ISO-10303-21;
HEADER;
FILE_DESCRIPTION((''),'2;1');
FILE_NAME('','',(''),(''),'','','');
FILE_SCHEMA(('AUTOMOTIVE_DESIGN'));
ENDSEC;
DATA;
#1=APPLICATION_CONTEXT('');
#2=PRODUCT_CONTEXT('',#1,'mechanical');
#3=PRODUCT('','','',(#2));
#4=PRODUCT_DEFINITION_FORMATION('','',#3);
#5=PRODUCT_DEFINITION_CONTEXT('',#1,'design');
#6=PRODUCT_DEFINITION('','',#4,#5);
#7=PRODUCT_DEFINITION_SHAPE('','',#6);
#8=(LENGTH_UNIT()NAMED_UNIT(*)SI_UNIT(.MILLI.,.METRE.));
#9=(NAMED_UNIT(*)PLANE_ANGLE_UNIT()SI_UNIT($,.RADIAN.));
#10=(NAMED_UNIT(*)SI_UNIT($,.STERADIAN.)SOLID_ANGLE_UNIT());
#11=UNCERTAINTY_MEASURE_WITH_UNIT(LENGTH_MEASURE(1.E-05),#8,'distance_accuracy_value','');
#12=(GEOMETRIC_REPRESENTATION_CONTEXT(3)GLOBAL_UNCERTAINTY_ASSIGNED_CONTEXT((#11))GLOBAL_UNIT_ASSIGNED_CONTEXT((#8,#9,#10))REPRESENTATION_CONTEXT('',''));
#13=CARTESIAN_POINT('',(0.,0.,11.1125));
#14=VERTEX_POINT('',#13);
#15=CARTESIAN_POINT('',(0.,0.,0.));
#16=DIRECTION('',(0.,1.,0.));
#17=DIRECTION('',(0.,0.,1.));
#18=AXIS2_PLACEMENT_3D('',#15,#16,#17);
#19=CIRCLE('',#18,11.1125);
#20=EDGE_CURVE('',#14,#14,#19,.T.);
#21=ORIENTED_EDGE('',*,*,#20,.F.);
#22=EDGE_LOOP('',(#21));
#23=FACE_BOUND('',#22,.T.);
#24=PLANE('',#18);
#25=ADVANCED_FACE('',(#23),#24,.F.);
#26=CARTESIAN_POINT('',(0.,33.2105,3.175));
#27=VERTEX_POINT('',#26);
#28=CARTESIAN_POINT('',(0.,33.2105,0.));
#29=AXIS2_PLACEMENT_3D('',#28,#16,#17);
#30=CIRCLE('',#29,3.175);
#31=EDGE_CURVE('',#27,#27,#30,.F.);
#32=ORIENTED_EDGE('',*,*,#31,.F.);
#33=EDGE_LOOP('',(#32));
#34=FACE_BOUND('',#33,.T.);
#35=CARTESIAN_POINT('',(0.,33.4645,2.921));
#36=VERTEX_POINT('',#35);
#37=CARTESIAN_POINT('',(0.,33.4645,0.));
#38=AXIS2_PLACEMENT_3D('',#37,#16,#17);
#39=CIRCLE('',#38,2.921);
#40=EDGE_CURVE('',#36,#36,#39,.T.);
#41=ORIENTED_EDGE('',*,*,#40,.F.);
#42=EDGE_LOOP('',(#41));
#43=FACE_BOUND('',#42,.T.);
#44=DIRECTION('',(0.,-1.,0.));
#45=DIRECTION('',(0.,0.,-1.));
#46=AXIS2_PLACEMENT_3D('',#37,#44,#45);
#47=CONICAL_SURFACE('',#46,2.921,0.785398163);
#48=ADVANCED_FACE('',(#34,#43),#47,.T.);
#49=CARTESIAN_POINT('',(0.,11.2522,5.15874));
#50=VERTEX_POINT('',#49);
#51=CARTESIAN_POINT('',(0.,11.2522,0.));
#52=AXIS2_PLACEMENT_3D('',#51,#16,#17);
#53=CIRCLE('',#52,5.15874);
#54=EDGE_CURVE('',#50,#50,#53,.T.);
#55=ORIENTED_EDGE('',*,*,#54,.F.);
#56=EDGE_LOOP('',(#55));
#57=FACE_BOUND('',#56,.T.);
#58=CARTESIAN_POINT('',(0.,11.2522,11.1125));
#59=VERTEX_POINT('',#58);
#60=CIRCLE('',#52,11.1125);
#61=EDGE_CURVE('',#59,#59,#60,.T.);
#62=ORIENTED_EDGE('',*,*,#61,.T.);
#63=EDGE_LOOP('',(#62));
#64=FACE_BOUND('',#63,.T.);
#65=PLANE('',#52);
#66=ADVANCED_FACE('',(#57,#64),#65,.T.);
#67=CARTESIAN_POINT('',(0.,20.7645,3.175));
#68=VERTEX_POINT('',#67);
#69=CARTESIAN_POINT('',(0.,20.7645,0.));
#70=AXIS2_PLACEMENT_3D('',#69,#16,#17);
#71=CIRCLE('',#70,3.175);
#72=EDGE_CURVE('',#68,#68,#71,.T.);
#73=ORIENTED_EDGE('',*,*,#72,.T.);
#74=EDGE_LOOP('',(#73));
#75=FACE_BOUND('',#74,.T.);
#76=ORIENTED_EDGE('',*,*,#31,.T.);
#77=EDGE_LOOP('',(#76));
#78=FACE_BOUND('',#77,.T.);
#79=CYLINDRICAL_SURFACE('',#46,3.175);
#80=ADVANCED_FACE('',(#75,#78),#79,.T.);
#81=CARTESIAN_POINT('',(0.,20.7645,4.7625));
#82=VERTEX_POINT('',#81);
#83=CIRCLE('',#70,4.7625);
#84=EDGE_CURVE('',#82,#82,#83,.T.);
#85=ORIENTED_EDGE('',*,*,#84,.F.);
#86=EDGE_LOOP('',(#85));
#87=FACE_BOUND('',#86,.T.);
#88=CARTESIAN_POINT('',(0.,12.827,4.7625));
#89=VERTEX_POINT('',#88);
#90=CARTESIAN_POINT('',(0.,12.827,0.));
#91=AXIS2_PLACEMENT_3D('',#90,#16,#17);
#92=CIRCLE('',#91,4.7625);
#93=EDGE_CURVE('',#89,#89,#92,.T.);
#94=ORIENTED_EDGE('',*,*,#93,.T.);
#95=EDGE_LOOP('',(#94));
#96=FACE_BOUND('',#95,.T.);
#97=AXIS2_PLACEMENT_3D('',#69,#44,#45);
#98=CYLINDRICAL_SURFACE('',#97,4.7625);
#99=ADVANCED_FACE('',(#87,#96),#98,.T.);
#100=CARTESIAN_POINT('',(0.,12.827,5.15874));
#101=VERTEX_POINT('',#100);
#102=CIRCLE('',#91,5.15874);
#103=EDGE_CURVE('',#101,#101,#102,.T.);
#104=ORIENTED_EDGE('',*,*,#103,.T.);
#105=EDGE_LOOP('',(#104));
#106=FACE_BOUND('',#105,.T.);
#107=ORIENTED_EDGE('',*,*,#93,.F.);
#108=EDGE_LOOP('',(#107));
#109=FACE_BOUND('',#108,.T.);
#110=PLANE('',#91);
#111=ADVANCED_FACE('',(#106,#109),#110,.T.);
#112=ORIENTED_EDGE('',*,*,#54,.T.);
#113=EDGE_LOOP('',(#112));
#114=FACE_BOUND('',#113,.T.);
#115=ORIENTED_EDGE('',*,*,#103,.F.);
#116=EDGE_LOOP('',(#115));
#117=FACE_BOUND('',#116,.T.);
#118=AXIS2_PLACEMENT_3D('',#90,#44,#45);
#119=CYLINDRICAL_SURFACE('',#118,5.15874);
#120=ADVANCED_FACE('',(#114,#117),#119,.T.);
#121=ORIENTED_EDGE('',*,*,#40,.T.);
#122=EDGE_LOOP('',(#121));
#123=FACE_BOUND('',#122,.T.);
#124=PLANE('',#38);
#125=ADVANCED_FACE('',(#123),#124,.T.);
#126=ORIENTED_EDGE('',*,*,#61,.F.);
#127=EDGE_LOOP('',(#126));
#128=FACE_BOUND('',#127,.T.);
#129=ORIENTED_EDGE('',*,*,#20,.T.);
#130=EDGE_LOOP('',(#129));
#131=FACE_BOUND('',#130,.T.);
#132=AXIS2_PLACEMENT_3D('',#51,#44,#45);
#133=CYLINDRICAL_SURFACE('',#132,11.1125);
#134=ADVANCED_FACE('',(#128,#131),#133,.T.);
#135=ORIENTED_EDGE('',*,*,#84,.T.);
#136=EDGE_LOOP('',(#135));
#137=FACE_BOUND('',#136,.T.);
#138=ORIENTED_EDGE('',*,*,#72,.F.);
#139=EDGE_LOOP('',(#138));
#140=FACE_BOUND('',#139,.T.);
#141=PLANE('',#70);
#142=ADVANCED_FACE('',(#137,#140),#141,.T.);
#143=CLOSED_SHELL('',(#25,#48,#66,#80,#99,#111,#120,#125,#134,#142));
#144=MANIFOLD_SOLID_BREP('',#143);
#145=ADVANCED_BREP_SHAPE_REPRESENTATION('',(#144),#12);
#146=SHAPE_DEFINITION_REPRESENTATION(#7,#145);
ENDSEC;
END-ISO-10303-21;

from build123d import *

# Parameters (mm, degrees)
SKETCH1_R           = 11.1125
BOSS_EXTRUDE1_DEPTH = 11.2522
SKETCH3_R           = 5.15874
BOSS_EXTRUDE2_DEPTH = 1.5748
SKETCH4_R           = 4.7625
BOSS_EXTRUDE3_DEPTH = 7.9375
SKETCH5_R           = 3.175
BOSS_EXTRUDE4_DEPTH = 12.7
CHAMFER1_SIZE       = 0.254


with BuildPart() as part:
    # Sketch1 → Boss-Extrude1 (new body)
    with BuildSketch(Plane(origin=(0, 0, 0), x_dir=(1, 0, 0), z_dir=(0, 1, 0))):
        with Locations(Location((0, 0, 0), (0, 0, 270))):
            Circle(SKETCH1_R)
    extrude(amount=BOSS_EXTRUDE1_DEPTH)

    # Sketch3 → Boss-Extrude2 (add)
    with BuildSketch(Plane(origin=(0, 11.2522, 0), x_dir=(1, 0, 0), z_dir=(0, 1, 0))):
        with Locations(Location((0, 0, 0), (0, 0, 270))):
            Circle(SKETCH3_R)
    extrude(amount=BOSS_EXTRUDE2_DEPTH)

    # Sketch4 → Boss-Extrude3 (add)
    with BuildSketch(Plane(origin=(0, 12.827, 0), x_dir=(1, 0, 0), z_dir=(0, 1, 0))):
        with Locations(Location((0, 0, 0), (0, 0, 270))):
            Circle(SKETCH4_R)
    extrude(amount=BOSS_EXTRUDE3_DEPTH)

    # Sketch5 → Boss-Extrude4 (add)
    with BuildSketch(Plane(origin=(0, 20.7645, 0), x_dir=(1, 0, 0), z_dir=(0, 1, 0))):
        with Locations(Location((0, 0, 0), (0, 0, 270))):
            Circle(SKETCH5_R)
    extrude(amount=BOSS_EXTRUDE4_DEPTH)

    # Chamfer1
    chamfer1_edges = [part.edges().sort_by_distance(p)[0] for p in [
        (0, 33.4645, -3.175),
    ]]
    chamfer(chamfer1_edges, length=CHAMFER1_SIZE)


solid = part.part
